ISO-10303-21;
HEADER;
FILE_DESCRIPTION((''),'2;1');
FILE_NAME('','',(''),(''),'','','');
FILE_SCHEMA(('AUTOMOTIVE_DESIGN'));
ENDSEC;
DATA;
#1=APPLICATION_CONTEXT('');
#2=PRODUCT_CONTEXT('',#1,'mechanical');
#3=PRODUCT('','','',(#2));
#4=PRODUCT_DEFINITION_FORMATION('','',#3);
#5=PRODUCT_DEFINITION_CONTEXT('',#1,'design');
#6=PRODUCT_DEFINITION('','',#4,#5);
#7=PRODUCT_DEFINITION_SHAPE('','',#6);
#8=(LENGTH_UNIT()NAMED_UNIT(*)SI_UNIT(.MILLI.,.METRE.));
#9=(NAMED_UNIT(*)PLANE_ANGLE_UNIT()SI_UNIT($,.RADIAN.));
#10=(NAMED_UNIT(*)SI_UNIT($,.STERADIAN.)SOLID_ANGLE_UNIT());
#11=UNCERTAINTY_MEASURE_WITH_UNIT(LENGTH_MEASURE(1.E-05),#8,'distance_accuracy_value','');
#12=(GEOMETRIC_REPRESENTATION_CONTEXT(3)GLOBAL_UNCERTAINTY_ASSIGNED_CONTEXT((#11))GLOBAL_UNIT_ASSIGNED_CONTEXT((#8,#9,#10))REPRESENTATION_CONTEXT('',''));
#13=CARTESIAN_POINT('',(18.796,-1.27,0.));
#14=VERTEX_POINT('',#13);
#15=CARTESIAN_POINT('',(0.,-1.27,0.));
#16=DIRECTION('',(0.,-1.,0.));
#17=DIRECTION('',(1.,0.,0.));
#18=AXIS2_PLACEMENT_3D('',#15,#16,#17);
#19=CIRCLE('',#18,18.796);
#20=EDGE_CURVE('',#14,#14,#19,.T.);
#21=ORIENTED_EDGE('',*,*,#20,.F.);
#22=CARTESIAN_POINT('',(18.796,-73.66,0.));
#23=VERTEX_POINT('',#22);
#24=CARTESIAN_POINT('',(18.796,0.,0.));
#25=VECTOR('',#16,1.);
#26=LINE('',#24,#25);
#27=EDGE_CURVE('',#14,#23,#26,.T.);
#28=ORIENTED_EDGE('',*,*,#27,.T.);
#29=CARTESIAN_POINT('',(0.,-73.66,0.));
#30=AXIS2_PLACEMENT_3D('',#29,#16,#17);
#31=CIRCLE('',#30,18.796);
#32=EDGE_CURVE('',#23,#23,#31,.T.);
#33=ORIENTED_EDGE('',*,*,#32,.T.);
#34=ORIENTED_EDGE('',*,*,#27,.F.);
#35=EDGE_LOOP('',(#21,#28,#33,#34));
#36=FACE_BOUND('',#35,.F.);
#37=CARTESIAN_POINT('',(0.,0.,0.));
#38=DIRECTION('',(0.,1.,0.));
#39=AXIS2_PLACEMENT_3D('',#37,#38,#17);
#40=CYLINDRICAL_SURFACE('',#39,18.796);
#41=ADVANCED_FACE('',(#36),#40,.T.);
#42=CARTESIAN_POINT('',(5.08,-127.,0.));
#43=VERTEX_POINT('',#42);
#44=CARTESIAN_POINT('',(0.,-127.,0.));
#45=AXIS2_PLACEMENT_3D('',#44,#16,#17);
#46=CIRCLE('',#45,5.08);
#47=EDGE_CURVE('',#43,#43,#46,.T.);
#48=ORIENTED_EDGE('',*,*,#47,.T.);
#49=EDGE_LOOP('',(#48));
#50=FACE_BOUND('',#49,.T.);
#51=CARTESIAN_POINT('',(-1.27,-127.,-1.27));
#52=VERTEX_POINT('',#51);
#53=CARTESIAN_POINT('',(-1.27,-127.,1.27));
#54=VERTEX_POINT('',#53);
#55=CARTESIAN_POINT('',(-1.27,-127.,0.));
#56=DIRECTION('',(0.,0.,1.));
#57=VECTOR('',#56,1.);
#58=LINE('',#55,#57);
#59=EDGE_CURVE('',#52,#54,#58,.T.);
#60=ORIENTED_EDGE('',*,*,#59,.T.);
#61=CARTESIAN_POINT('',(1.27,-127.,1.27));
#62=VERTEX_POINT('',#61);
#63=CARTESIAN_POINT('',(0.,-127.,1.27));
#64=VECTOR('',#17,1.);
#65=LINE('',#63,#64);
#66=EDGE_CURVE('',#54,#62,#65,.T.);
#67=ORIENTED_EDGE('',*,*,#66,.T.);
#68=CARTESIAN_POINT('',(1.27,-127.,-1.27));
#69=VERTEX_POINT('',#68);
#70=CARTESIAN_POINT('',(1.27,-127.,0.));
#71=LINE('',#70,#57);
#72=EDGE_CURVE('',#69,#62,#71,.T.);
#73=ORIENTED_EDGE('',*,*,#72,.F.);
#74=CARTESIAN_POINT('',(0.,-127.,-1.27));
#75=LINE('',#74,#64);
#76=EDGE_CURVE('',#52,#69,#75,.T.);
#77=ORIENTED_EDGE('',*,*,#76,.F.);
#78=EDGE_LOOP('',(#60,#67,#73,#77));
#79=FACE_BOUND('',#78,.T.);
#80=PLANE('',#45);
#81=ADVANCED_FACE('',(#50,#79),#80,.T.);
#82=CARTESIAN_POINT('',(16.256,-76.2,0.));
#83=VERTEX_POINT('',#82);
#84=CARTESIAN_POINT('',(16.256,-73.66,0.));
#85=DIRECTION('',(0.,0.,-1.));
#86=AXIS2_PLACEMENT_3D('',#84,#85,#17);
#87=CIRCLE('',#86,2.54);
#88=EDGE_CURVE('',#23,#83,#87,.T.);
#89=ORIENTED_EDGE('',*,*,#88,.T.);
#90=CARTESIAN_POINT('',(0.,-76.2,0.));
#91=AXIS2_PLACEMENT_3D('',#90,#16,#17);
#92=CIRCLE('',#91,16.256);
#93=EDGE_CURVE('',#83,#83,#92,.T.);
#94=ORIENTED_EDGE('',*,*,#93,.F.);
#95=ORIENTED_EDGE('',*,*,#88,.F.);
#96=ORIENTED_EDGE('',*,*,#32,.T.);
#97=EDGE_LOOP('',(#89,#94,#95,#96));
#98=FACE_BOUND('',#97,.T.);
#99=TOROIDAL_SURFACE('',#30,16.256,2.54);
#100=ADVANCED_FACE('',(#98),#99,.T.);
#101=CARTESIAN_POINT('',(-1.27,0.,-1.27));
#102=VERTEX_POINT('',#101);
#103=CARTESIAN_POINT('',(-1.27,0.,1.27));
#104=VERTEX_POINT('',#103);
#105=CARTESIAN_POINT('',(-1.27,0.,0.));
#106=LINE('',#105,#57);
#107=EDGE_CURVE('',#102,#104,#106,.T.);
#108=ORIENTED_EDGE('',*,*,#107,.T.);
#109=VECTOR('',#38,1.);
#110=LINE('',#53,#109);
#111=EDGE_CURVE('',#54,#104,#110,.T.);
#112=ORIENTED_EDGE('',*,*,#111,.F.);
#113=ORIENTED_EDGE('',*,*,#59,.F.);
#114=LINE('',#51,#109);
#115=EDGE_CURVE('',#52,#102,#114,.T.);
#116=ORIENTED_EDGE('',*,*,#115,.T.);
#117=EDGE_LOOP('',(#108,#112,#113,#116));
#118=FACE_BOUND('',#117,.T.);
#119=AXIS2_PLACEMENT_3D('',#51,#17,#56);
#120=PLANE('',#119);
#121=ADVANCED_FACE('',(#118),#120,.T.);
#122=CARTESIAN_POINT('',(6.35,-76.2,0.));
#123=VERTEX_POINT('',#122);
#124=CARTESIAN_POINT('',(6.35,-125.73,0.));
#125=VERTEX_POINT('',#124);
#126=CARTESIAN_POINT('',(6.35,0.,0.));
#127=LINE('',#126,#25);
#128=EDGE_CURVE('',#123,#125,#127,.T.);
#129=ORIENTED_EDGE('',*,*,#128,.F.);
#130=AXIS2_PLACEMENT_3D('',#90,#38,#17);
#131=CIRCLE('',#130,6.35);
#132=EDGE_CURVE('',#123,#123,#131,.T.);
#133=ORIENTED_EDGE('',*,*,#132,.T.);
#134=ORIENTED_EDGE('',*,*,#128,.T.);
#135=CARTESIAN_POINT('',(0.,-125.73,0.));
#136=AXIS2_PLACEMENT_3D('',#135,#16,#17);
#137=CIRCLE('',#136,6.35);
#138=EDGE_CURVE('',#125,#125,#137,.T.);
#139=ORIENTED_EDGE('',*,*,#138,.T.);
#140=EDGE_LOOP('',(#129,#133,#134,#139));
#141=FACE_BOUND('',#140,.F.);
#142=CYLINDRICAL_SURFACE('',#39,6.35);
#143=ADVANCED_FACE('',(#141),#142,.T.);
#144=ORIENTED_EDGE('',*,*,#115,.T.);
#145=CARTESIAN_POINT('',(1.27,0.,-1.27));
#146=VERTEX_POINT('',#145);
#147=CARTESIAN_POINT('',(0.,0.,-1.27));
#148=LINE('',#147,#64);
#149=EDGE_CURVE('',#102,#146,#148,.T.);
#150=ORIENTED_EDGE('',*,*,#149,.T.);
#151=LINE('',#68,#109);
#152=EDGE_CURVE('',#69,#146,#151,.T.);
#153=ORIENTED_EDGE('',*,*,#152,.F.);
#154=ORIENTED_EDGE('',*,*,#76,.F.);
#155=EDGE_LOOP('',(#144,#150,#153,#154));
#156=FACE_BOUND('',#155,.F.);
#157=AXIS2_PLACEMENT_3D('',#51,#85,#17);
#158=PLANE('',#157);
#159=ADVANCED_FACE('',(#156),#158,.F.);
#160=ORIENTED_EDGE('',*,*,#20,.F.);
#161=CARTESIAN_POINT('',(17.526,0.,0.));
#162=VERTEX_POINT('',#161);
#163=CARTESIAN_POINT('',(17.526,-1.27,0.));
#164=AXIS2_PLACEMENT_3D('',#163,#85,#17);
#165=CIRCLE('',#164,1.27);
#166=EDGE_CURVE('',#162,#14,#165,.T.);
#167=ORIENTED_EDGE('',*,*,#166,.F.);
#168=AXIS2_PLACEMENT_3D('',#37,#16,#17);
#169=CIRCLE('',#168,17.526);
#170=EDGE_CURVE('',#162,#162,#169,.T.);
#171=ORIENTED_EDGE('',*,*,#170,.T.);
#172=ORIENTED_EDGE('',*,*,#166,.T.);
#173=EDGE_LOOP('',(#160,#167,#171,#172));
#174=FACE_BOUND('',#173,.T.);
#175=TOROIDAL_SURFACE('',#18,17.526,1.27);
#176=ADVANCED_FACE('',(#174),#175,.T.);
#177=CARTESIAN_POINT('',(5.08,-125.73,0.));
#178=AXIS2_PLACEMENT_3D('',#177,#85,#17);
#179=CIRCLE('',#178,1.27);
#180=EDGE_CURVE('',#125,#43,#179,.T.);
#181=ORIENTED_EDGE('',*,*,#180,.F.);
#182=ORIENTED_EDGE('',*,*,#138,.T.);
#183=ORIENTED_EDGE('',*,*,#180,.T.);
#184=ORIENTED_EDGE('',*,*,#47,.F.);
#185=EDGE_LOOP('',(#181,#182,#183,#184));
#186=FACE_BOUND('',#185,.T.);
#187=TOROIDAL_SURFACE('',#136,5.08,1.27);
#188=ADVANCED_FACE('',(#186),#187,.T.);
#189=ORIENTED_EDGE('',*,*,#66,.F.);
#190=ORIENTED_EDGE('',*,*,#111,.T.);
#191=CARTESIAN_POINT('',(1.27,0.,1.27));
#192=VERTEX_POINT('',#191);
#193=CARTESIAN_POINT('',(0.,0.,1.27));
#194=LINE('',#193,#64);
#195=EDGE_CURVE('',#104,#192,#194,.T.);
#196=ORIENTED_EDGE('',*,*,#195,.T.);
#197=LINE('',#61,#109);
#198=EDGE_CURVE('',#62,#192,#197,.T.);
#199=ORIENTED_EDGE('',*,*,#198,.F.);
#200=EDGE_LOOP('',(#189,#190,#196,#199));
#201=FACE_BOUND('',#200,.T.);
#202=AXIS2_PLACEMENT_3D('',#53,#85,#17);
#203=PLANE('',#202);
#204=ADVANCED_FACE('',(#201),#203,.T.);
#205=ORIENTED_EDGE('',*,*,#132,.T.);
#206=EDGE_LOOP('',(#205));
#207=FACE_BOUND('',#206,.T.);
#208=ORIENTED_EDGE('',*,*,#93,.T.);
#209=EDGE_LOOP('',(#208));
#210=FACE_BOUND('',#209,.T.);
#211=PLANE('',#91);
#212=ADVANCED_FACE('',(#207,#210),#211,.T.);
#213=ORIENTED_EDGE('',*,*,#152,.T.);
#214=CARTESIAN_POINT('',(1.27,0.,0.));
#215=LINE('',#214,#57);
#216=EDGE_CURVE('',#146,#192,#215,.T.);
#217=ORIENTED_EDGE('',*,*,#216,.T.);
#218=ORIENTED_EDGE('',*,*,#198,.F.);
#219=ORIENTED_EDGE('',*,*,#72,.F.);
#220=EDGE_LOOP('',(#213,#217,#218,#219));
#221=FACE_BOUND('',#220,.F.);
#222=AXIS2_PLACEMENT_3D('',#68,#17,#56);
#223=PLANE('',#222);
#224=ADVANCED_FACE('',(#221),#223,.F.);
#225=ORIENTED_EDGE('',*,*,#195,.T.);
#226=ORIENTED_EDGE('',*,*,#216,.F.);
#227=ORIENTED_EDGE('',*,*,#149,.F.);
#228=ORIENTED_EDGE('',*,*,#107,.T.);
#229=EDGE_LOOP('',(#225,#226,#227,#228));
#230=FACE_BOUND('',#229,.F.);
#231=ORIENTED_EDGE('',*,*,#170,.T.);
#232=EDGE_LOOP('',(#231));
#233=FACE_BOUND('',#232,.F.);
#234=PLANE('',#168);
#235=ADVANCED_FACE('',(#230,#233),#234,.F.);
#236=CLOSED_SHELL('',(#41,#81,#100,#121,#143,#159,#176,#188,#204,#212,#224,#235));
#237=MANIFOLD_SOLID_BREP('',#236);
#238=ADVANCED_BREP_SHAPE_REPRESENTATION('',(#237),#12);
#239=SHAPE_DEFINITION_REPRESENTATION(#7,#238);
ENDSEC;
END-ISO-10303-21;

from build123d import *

# Parameters (mm, degrees)
F0_R     = 18.796
F2_DEPTH = 76.2
F1_R     = 6.35
F3_DEPTH = 127
F4_R     = 1.27
F5_W     = 2.54
F5_H     = 2.54
F6_DEPTH = 127
F7_R     = 2.54


with BuildPart() as f2:
    # F0 (on Front) → F2 (new body)
    with BuildSketch(Plane.XZ):
        Circle(F0_R)
    extrude(amount=F2_DEPTH)

    # F1 (on face) → F3 (join)
    with BuildSketch(Plane.XZ):
        Circle(F1_R)
    extrude(amount=F3_DEPTH)

    # F4
    f4_edges = [f2.edges().sort_by_distance(p)[0] for p in [
        (-18.796, 0, 0),
        (-6.35, -127, 0),
    ]]
    fillet(f4_edges, radius=F4_R)

    # F5 (on face) → F6 (cut)
    with BuildSketch(Plane.XZ.offset(127)):
        Rectangle(F5_W, F5_H)
    extrude(amount=-F6_DEPTH, mode=Mode.SUBTRACT)

    # F7
    f7_edges = [f2.edges().sort_by_distance(p)[0] for p in [
        (-18.796, -76.2, 0),
    ]]
    fillet(f7_edges, radius=F7_R)


solid = f2.part
